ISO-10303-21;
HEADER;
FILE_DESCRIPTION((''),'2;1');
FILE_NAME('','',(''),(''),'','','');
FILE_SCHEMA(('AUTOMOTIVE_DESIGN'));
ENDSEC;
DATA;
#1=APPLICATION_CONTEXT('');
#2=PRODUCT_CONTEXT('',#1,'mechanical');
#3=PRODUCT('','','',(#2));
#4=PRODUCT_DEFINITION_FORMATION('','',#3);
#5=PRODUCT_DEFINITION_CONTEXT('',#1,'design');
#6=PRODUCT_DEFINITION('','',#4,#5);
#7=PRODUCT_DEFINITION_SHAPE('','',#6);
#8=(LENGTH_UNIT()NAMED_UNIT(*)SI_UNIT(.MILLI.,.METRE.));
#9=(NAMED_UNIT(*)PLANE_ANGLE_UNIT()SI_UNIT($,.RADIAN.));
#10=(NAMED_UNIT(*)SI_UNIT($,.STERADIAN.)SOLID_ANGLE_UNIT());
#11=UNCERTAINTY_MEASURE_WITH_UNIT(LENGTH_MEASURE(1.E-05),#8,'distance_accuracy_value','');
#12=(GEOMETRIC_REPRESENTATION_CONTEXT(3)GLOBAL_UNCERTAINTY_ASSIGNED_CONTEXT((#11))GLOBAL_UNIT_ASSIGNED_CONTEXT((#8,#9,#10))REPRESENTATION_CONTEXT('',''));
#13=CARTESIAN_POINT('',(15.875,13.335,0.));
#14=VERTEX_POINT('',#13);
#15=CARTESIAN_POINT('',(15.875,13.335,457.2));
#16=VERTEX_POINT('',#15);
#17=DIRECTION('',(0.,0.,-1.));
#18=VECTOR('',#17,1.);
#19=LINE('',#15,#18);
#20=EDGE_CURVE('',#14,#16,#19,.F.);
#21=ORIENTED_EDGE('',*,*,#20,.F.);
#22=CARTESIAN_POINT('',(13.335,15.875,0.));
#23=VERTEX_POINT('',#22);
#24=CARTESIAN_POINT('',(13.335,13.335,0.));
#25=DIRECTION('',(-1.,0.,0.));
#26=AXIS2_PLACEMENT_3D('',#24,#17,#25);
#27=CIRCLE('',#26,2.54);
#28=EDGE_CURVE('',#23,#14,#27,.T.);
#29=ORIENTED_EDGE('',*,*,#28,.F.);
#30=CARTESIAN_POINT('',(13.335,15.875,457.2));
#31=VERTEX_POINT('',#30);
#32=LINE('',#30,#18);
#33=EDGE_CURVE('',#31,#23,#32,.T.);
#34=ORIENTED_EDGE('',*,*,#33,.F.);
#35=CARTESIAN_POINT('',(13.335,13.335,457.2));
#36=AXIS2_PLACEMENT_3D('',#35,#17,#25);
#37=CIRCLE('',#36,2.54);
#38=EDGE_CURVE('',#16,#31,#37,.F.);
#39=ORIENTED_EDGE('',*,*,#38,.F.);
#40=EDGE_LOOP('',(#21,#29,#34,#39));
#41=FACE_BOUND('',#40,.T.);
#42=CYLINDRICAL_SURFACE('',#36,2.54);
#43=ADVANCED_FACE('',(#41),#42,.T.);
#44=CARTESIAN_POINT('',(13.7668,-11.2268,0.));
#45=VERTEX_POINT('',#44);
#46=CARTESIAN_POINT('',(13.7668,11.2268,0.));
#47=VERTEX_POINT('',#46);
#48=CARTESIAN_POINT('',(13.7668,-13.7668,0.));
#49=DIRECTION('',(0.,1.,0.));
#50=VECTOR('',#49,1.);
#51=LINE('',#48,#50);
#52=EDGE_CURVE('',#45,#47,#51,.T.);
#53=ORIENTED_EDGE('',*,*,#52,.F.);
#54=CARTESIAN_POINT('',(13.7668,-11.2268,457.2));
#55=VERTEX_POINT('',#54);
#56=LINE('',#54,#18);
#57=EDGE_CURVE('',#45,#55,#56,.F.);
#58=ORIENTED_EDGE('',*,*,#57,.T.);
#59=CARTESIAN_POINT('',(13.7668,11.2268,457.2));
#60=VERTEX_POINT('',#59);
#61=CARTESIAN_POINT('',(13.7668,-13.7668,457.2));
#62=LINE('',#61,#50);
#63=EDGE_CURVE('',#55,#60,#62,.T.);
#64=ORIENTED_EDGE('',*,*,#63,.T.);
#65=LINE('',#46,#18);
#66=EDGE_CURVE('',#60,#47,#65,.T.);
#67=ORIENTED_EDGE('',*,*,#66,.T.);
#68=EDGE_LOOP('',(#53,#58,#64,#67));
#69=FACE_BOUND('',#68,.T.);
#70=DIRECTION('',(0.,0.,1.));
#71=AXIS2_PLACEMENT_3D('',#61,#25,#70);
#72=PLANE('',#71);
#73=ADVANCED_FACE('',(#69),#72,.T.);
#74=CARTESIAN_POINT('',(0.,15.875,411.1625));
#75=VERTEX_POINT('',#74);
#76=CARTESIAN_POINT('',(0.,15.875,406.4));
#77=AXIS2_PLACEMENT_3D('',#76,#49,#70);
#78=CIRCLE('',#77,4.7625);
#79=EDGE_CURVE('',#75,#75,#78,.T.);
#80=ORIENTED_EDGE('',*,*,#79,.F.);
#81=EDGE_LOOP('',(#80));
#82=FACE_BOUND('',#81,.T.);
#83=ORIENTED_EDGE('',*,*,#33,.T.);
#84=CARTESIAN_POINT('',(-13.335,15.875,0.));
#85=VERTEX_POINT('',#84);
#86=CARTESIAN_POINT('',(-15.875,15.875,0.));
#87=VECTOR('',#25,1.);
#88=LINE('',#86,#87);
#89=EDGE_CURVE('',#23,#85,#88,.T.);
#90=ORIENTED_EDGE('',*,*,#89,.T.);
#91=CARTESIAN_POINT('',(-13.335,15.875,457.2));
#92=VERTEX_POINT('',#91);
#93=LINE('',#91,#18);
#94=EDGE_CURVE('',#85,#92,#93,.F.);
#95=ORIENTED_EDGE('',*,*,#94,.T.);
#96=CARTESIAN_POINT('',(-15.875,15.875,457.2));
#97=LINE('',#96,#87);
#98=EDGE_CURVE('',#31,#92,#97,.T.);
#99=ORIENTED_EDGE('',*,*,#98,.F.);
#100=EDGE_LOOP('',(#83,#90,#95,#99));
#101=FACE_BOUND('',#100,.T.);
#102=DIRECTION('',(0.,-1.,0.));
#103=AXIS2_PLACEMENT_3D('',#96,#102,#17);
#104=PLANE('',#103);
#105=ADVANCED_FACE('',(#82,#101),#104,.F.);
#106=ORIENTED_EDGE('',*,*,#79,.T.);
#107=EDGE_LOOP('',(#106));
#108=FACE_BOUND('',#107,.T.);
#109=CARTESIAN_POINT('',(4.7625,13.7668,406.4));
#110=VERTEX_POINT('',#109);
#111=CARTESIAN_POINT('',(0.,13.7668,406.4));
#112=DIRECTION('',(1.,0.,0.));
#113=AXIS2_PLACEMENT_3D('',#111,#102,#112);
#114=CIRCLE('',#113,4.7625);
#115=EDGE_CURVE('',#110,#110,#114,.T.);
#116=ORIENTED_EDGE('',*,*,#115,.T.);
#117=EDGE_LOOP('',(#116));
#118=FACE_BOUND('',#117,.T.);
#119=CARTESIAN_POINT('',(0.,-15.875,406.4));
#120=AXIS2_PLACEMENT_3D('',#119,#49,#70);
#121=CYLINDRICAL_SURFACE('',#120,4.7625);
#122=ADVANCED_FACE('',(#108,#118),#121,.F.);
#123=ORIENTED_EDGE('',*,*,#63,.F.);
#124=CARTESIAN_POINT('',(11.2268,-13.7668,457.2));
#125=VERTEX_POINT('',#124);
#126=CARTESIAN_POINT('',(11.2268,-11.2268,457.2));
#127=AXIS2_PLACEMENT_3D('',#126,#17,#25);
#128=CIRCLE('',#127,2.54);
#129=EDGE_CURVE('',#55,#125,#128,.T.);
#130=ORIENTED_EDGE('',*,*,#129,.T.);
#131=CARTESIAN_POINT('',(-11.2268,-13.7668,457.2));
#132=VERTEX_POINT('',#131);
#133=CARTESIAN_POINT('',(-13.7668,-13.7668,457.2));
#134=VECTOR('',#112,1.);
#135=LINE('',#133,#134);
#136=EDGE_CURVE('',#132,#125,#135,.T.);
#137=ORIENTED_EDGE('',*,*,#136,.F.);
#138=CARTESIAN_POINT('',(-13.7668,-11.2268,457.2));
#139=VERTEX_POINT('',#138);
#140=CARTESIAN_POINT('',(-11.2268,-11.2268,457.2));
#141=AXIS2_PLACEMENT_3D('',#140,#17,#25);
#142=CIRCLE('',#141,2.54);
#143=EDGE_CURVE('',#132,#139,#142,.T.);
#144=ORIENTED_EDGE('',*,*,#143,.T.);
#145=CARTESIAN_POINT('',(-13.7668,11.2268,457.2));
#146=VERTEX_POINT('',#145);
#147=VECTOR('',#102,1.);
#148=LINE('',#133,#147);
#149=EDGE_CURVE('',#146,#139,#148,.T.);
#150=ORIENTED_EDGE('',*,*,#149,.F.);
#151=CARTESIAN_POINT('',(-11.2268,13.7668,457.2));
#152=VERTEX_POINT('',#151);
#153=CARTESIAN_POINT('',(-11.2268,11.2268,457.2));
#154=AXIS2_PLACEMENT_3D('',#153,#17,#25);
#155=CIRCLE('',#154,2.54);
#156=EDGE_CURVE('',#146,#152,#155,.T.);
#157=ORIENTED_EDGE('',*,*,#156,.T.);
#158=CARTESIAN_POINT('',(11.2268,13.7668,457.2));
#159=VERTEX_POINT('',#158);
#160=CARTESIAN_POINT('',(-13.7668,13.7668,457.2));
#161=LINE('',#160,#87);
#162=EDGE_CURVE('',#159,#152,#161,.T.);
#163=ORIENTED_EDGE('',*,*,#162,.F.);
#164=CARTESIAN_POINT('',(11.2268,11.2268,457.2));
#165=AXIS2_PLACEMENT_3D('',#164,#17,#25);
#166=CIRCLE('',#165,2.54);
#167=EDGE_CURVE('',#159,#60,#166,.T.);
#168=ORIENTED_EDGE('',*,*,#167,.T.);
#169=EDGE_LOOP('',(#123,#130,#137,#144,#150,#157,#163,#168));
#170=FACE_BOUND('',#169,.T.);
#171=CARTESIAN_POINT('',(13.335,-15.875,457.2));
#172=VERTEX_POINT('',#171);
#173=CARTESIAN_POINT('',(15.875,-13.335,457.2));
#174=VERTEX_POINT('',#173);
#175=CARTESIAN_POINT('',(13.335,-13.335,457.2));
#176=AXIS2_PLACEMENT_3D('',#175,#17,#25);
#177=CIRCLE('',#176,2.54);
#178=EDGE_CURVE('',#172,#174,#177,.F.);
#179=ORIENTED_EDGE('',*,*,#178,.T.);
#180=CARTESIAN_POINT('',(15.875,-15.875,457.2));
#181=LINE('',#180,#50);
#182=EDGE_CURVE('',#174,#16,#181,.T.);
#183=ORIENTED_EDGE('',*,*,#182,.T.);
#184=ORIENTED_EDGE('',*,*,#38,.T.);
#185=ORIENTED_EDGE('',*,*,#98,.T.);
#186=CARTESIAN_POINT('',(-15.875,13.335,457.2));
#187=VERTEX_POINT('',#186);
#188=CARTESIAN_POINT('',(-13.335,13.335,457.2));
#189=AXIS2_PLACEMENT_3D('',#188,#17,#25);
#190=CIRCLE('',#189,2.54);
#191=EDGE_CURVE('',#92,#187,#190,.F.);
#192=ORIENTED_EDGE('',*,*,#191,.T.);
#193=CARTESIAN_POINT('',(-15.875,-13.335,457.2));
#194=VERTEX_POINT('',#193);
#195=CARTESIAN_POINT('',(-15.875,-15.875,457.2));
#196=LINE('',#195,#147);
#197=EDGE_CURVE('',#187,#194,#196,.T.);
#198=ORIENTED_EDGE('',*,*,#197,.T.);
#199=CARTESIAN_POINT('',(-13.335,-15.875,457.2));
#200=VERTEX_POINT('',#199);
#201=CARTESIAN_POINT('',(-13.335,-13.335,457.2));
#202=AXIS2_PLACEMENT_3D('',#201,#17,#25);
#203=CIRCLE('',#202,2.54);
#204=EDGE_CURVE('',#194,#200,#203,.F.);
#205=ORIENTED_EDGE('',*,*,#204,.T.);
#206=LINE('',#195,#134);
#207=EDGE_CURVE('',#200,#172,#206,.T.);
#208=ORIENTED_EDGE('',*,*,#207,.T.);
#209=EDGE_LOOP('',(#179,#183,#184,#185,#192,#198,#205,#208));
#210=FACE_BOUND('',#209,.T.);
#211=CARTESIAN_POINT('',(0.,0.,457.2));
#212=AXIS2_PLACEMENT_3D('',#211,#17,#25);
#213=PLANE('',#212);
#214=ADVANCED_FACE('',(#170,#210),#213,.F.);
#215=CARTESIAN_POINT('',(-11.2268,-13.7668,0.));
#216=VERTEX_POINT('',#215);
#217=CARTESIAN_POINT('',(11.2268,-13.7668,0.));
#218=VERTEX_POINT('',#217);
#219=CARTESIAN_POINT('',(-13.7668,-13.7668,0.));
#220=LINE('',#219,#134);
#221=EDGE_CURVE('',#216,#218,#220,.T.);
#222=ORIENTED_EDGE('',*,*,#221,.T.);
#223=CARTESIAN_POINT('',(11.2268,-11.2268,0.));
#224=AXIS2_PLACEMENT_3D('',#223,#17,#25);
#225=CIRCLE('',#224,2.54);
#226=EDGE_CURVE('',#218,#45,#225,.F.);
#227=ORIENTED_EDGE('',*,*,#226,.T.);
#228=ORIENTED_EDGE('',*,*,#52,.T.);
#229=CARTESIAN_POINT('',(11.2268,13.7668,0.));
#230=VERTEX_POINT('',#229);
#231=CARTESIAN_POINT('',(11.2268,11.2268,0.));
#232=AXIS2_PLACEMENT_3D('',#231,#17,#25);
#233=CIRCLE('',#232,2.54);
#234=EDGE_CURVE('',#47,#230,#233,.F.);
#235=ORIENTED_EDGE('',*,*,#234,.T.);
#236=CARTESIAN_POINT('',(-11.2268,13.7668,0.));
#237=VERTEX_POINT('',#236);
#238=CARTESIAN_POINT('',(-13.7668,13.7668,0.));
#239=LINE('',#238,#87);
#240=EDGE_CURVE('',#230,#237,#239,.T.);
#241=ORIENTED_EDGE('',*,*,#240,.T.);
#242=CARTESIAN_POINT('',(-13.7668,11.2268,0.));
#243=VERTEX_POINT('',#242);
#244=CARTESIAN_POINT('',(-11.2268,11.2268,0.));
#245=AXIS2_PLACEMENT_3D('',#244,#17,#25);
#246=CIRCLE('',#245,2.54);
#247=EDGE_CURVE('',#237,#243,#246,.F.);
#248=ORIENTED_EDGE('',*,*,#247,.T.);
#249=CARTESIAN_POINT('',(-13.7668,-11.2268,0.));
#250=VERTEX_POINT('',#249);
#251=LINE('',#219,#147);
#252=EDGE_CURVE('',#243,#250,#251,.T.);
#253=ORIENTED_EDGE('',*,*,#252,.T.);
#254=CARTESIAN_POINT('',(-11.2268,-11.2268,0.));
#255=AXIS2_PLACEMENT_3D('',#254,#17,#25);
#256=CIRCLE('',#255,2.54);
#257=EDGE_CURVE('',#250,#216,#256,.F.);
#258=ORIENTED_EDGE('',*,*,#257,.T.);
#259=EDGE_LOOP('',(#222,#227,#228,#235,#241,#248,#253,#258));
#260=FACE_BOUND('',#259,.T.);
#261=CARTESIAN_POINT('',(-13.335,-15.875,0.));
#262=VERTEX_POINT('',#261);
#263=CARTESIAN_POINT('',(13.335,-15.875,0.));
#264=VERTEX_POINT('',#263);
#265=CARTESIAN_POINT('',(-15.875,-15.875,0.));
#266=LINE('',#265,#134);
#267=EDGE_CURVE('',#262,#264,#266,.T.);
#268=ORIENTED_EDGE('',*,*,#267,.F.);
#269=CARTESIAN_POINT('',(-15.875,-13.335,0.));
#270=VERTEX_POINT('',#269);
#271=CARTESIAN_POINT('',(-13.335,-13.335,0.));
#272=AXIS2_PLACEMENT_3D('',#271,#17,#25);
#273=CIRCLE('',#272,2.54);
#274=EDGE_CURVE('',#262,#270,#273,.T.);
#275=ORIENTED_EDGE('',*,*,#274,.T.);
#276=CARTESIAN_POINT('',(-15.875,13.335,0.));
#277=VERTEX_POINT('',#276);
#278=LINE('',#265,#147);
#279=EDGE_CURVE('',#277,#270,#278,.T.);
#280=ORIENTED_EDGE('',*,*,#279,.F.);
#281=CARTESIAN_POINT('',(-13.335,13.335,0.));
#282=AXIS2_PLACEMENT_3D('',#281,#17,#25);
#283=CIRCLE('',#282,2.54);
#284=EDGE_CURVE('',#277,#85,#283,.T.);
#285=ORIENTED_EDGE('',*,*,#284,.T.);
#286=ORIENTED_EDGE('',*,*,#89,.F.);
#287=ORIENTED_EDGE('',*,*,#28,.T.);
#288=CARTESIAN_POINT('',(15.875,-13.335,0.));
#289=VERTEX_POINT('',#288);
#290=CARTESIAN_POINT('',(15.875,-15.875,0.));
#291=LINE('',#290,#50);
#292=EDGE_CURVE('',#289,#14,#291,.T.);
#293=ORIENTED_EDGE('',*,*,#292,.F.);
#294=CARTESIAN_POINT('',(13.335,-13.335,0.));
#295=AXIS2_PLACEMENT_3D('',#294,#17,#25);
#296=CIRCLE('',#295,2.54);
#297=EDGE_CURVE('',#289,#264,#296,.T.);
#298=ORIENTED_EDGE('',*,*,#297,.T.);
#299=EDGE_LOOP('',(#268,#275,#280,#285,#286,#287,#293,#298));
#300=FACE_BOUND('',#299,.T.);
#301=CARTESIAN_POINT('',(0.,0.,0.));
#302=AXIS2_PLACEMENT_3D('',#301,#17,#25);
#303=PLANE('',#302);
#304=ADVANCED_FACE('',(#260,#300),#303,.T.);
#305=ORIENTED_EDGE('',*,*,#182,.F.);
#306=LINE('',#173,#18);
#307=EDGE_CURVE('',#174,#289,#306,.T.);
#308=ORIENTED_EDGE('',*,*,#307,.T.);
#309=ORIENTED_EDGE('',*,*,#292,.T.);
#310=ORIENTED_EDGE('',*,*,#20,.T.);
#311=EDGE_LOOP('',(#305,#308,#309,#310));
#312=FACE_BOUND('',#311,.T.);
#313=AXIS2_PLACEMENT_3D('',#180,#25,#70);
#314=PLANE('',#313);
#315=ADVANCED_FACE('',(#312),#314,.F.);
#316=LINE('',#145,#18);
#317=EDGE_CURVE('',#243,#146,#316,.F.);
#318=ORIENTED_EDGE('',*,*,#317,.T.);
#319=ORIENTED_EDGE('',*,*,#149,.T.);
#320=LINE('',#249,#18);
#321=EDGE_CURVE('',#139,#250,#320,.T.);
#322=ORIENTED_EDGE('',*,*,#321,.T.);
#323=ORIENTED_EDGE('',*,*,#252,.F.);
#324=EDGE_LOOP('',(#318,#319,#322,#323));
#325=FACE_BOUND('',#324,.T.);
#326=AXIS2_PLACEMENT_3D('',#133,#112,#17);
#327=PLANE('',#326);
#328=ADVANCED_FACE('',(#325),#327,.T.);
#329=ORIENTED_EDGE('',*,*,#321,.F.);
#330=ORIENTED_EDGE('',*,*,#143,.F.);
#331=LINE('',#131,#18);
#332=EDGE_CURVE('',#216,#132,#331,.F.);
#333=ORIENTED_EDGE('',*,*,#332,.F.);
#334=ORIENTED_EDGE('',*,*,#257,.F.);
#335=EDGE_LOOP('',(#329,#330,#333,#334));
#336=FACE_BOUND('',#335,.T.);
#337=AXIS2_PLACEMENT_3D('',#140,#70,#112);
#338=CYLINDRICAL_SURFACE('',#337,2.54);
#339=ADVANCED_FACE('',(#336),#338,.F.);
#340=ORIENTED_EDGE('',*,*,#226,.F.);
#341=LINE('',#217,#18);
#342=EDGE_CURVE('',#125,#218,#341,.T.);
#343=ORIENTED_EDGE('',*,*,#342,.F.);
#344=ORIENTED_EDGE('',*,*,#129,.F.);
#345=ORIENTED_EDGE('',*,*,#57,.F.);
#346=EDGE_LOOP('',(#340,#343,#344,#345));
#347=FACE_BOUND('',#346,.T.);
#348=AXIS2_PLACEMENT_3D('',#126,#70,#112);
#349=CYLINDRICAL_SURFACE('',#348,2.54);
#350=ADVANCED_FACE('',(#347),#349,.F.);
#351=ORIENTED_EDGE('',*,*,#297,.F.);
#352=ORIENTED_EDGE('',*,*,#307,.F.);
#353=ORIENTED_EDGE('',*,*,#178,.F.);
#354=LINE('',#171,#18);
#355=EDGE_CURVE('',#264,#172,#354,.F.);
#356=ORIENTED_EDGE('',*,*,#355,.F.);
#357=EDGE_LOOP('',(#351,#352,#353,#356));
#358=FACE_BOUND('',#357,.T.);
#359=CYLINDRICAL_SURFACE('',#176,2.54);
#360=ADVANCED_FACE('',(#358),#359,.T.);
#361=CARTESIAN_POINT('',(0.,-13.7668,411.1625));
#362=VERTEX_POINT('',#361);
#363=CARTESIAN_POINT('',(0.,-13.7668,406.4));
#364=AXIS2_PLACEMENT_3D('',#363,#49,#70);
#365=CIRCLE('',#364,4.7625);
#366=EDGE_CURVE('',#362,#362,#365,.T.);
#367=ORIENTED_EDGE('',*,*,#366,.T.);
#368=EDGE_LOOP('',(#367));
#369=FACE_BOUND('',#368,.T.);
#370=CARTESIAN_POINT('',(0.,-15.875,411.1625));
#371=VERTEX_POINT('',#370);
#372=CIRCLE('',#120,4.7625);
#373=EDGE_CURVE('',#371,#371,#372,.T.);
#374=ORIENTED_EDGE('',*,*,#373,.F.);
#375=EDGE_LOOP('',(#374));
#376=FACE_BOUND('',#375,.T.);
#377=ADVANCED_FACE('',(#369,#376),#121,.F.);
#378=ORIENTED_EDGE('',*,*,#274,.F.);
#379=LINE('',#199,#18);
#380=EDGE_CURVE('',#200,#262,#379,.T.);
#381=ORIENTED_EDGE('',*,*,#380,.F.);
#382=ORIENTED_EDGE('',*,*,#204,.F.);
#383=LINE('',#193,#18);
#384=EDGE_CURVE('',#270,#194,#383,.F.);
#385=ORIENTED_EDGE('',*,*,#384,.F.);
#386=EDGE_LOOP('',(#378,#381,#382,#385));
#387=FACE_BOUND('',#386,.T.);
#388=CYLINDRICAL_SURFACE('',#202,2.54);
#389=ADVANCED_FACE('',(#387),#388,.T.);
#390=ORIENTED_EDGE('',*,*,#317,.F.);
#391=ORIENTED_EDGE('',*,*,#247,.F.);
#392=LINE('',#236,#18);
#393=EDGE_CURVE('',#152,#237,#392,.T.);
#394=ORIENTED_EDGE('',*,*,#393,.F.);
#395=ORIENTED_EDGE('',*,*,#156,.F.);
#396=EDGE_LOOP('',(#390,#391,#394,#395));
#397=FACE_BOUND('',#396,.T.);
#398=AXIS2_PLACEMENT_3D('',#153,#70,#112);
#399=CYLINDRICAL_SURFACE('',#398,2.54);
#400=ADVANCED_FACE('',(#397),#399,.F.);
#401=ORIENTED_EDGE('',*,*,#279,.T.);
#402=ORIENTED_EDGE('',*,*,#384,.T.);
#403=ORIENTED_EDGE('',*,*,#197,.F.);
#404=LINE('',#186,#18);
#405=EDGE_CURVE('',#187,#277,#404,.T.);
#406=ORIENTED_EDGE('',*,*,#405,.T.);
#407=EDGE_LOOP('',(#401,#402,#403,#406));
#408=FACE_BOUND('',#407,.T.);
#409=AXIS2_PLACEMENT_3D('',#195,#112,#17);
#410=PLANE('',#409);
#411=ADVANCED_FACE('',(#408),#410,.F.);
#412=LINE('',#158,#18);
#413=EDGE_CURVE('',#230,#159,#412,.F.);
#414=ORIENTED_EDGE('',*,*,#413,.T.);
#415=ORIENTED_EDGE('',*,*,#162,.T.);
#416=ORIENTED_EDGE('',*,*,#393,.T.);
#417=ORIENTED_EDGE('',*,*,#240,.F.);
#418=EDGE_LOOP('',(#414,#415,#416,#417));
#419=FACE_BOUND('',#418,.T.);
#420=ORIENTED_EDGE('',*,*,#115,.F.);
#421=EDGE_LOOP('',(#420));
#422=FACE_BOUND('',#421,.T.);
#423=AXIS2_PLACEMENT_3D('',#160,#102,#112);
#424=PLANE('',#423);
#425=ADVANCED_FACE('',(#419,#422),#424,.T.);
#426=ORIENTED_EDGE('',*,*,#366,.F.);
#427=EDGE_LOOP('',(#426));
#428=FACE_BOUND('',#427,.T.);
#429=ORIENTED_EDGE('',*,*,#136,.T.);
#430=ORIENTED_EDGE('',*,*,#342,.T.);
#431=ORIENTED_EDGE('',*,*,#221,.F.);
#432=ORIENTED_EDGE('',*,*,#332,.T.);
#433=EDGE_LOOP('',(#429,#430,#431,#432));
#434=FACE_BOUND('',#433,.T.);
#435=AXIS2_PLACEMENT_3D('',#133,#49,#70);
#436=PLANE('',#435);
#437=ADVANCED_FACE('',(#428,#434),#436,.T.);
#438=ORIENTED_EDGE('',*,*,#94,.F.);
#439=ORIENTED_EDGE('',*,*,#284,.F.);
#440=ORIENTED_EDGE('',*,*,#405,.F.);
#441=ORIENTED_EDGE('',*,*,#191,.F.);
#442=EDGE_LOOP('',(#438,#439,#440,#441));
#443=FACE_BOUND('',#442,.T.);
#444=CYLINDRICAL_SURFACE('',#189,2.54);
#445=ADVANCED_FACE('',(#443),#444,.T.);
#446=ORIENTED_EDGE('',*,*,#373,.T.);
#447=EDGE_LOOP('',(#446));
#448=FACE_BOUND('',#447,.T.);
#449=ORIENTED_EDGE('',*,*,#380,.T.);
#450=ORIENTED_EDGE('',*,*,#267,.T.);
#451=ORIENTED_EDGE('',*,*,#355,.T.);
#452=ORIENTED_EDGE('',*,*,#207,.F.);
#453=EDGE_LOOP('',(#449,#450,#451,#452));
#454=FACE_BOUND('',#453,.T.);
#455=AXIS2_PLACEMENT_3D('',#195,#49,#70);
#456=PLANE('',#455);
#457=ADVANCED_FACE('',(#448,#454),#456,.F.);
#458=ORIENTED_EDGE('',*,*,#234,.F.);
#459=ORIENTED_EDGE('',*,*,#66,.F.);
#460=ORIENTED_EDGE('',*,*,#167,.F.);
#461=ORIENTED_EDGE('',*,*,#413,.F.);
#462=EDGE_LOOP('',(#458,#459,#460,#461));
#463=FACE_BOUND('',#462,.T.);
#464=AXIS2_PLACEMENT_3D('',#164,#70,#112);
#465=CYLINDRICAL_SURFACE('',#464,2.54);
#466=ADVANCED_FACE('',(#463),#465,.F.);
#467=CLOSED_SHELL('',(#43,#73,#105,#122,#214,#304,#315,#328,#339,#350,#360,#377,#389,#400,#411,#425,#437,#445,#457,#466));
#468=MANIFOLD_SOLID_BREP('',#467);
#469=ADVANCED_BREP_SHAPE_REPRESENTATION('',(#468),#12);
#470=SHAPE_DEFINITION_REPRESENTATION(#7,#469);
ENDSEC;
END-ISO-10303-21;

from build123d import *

# Parameters (mm, degrees)
SKETCH1_W           = 31.75
SKETCH1_H           = 31.75
SKETCH1_W_2         = 27.5336
SKETCH1_H_2         = 27.5336
BOSS_EXTRUDE1_DEPTH = 457.2
FILLET1_R           = 2.54
SKETCH2_R           = 4.7625
CUT_EXTRUDE1_DEPTH  = 459.575967671


with BuildPart() as part:
    # Sketch1 → Boss-Extrude1 (new body)
    with BuildSketch(Plane.XY):
        Rectangle(SKETCH1_W, SKETCH1_H)
        Rectangle(SKETCH1_W_2, SKETCH1_H_2, mode=Mode.SUBTRACT)
    extrude(amount=BOSS_EXTRUDE1_DEPTH)

    # Fillet1
    fillet1_edges = [part.edges().sort_by_distance(p)[0] for p in [
        (15.875, -15.875, 228.6),
        (13.7668, -13.7668, 228.6),
        (13.7668, 13.7668, 228.6),
        (15.875, 15.875, 228.6),
        (-13.7668, 13.7668, 228.6),
        (-15.875, 15.875, 228.6),
        (-13.7668, -13.7668, 228.6),
        (-15.875, -15.875, 228.6),
    ]]
    fillet(fillet1_edges, radius=FILLET1_R)

    # Sketch2 → Cut-Extrude1 (cut, through all)
    with BuildSketch(Plane(origin=(0, 15.875, 0), x_dir=(1, 0, 0), z_dir=(0, 1, 0))):
        with Locations((0, -406.4)):
            Circle(SKETCH2_R)
    extrude(amount=-CUT_EXTRUDE1_DEPTH, mode=Mode.SUBTRACT)


solid = part.part
